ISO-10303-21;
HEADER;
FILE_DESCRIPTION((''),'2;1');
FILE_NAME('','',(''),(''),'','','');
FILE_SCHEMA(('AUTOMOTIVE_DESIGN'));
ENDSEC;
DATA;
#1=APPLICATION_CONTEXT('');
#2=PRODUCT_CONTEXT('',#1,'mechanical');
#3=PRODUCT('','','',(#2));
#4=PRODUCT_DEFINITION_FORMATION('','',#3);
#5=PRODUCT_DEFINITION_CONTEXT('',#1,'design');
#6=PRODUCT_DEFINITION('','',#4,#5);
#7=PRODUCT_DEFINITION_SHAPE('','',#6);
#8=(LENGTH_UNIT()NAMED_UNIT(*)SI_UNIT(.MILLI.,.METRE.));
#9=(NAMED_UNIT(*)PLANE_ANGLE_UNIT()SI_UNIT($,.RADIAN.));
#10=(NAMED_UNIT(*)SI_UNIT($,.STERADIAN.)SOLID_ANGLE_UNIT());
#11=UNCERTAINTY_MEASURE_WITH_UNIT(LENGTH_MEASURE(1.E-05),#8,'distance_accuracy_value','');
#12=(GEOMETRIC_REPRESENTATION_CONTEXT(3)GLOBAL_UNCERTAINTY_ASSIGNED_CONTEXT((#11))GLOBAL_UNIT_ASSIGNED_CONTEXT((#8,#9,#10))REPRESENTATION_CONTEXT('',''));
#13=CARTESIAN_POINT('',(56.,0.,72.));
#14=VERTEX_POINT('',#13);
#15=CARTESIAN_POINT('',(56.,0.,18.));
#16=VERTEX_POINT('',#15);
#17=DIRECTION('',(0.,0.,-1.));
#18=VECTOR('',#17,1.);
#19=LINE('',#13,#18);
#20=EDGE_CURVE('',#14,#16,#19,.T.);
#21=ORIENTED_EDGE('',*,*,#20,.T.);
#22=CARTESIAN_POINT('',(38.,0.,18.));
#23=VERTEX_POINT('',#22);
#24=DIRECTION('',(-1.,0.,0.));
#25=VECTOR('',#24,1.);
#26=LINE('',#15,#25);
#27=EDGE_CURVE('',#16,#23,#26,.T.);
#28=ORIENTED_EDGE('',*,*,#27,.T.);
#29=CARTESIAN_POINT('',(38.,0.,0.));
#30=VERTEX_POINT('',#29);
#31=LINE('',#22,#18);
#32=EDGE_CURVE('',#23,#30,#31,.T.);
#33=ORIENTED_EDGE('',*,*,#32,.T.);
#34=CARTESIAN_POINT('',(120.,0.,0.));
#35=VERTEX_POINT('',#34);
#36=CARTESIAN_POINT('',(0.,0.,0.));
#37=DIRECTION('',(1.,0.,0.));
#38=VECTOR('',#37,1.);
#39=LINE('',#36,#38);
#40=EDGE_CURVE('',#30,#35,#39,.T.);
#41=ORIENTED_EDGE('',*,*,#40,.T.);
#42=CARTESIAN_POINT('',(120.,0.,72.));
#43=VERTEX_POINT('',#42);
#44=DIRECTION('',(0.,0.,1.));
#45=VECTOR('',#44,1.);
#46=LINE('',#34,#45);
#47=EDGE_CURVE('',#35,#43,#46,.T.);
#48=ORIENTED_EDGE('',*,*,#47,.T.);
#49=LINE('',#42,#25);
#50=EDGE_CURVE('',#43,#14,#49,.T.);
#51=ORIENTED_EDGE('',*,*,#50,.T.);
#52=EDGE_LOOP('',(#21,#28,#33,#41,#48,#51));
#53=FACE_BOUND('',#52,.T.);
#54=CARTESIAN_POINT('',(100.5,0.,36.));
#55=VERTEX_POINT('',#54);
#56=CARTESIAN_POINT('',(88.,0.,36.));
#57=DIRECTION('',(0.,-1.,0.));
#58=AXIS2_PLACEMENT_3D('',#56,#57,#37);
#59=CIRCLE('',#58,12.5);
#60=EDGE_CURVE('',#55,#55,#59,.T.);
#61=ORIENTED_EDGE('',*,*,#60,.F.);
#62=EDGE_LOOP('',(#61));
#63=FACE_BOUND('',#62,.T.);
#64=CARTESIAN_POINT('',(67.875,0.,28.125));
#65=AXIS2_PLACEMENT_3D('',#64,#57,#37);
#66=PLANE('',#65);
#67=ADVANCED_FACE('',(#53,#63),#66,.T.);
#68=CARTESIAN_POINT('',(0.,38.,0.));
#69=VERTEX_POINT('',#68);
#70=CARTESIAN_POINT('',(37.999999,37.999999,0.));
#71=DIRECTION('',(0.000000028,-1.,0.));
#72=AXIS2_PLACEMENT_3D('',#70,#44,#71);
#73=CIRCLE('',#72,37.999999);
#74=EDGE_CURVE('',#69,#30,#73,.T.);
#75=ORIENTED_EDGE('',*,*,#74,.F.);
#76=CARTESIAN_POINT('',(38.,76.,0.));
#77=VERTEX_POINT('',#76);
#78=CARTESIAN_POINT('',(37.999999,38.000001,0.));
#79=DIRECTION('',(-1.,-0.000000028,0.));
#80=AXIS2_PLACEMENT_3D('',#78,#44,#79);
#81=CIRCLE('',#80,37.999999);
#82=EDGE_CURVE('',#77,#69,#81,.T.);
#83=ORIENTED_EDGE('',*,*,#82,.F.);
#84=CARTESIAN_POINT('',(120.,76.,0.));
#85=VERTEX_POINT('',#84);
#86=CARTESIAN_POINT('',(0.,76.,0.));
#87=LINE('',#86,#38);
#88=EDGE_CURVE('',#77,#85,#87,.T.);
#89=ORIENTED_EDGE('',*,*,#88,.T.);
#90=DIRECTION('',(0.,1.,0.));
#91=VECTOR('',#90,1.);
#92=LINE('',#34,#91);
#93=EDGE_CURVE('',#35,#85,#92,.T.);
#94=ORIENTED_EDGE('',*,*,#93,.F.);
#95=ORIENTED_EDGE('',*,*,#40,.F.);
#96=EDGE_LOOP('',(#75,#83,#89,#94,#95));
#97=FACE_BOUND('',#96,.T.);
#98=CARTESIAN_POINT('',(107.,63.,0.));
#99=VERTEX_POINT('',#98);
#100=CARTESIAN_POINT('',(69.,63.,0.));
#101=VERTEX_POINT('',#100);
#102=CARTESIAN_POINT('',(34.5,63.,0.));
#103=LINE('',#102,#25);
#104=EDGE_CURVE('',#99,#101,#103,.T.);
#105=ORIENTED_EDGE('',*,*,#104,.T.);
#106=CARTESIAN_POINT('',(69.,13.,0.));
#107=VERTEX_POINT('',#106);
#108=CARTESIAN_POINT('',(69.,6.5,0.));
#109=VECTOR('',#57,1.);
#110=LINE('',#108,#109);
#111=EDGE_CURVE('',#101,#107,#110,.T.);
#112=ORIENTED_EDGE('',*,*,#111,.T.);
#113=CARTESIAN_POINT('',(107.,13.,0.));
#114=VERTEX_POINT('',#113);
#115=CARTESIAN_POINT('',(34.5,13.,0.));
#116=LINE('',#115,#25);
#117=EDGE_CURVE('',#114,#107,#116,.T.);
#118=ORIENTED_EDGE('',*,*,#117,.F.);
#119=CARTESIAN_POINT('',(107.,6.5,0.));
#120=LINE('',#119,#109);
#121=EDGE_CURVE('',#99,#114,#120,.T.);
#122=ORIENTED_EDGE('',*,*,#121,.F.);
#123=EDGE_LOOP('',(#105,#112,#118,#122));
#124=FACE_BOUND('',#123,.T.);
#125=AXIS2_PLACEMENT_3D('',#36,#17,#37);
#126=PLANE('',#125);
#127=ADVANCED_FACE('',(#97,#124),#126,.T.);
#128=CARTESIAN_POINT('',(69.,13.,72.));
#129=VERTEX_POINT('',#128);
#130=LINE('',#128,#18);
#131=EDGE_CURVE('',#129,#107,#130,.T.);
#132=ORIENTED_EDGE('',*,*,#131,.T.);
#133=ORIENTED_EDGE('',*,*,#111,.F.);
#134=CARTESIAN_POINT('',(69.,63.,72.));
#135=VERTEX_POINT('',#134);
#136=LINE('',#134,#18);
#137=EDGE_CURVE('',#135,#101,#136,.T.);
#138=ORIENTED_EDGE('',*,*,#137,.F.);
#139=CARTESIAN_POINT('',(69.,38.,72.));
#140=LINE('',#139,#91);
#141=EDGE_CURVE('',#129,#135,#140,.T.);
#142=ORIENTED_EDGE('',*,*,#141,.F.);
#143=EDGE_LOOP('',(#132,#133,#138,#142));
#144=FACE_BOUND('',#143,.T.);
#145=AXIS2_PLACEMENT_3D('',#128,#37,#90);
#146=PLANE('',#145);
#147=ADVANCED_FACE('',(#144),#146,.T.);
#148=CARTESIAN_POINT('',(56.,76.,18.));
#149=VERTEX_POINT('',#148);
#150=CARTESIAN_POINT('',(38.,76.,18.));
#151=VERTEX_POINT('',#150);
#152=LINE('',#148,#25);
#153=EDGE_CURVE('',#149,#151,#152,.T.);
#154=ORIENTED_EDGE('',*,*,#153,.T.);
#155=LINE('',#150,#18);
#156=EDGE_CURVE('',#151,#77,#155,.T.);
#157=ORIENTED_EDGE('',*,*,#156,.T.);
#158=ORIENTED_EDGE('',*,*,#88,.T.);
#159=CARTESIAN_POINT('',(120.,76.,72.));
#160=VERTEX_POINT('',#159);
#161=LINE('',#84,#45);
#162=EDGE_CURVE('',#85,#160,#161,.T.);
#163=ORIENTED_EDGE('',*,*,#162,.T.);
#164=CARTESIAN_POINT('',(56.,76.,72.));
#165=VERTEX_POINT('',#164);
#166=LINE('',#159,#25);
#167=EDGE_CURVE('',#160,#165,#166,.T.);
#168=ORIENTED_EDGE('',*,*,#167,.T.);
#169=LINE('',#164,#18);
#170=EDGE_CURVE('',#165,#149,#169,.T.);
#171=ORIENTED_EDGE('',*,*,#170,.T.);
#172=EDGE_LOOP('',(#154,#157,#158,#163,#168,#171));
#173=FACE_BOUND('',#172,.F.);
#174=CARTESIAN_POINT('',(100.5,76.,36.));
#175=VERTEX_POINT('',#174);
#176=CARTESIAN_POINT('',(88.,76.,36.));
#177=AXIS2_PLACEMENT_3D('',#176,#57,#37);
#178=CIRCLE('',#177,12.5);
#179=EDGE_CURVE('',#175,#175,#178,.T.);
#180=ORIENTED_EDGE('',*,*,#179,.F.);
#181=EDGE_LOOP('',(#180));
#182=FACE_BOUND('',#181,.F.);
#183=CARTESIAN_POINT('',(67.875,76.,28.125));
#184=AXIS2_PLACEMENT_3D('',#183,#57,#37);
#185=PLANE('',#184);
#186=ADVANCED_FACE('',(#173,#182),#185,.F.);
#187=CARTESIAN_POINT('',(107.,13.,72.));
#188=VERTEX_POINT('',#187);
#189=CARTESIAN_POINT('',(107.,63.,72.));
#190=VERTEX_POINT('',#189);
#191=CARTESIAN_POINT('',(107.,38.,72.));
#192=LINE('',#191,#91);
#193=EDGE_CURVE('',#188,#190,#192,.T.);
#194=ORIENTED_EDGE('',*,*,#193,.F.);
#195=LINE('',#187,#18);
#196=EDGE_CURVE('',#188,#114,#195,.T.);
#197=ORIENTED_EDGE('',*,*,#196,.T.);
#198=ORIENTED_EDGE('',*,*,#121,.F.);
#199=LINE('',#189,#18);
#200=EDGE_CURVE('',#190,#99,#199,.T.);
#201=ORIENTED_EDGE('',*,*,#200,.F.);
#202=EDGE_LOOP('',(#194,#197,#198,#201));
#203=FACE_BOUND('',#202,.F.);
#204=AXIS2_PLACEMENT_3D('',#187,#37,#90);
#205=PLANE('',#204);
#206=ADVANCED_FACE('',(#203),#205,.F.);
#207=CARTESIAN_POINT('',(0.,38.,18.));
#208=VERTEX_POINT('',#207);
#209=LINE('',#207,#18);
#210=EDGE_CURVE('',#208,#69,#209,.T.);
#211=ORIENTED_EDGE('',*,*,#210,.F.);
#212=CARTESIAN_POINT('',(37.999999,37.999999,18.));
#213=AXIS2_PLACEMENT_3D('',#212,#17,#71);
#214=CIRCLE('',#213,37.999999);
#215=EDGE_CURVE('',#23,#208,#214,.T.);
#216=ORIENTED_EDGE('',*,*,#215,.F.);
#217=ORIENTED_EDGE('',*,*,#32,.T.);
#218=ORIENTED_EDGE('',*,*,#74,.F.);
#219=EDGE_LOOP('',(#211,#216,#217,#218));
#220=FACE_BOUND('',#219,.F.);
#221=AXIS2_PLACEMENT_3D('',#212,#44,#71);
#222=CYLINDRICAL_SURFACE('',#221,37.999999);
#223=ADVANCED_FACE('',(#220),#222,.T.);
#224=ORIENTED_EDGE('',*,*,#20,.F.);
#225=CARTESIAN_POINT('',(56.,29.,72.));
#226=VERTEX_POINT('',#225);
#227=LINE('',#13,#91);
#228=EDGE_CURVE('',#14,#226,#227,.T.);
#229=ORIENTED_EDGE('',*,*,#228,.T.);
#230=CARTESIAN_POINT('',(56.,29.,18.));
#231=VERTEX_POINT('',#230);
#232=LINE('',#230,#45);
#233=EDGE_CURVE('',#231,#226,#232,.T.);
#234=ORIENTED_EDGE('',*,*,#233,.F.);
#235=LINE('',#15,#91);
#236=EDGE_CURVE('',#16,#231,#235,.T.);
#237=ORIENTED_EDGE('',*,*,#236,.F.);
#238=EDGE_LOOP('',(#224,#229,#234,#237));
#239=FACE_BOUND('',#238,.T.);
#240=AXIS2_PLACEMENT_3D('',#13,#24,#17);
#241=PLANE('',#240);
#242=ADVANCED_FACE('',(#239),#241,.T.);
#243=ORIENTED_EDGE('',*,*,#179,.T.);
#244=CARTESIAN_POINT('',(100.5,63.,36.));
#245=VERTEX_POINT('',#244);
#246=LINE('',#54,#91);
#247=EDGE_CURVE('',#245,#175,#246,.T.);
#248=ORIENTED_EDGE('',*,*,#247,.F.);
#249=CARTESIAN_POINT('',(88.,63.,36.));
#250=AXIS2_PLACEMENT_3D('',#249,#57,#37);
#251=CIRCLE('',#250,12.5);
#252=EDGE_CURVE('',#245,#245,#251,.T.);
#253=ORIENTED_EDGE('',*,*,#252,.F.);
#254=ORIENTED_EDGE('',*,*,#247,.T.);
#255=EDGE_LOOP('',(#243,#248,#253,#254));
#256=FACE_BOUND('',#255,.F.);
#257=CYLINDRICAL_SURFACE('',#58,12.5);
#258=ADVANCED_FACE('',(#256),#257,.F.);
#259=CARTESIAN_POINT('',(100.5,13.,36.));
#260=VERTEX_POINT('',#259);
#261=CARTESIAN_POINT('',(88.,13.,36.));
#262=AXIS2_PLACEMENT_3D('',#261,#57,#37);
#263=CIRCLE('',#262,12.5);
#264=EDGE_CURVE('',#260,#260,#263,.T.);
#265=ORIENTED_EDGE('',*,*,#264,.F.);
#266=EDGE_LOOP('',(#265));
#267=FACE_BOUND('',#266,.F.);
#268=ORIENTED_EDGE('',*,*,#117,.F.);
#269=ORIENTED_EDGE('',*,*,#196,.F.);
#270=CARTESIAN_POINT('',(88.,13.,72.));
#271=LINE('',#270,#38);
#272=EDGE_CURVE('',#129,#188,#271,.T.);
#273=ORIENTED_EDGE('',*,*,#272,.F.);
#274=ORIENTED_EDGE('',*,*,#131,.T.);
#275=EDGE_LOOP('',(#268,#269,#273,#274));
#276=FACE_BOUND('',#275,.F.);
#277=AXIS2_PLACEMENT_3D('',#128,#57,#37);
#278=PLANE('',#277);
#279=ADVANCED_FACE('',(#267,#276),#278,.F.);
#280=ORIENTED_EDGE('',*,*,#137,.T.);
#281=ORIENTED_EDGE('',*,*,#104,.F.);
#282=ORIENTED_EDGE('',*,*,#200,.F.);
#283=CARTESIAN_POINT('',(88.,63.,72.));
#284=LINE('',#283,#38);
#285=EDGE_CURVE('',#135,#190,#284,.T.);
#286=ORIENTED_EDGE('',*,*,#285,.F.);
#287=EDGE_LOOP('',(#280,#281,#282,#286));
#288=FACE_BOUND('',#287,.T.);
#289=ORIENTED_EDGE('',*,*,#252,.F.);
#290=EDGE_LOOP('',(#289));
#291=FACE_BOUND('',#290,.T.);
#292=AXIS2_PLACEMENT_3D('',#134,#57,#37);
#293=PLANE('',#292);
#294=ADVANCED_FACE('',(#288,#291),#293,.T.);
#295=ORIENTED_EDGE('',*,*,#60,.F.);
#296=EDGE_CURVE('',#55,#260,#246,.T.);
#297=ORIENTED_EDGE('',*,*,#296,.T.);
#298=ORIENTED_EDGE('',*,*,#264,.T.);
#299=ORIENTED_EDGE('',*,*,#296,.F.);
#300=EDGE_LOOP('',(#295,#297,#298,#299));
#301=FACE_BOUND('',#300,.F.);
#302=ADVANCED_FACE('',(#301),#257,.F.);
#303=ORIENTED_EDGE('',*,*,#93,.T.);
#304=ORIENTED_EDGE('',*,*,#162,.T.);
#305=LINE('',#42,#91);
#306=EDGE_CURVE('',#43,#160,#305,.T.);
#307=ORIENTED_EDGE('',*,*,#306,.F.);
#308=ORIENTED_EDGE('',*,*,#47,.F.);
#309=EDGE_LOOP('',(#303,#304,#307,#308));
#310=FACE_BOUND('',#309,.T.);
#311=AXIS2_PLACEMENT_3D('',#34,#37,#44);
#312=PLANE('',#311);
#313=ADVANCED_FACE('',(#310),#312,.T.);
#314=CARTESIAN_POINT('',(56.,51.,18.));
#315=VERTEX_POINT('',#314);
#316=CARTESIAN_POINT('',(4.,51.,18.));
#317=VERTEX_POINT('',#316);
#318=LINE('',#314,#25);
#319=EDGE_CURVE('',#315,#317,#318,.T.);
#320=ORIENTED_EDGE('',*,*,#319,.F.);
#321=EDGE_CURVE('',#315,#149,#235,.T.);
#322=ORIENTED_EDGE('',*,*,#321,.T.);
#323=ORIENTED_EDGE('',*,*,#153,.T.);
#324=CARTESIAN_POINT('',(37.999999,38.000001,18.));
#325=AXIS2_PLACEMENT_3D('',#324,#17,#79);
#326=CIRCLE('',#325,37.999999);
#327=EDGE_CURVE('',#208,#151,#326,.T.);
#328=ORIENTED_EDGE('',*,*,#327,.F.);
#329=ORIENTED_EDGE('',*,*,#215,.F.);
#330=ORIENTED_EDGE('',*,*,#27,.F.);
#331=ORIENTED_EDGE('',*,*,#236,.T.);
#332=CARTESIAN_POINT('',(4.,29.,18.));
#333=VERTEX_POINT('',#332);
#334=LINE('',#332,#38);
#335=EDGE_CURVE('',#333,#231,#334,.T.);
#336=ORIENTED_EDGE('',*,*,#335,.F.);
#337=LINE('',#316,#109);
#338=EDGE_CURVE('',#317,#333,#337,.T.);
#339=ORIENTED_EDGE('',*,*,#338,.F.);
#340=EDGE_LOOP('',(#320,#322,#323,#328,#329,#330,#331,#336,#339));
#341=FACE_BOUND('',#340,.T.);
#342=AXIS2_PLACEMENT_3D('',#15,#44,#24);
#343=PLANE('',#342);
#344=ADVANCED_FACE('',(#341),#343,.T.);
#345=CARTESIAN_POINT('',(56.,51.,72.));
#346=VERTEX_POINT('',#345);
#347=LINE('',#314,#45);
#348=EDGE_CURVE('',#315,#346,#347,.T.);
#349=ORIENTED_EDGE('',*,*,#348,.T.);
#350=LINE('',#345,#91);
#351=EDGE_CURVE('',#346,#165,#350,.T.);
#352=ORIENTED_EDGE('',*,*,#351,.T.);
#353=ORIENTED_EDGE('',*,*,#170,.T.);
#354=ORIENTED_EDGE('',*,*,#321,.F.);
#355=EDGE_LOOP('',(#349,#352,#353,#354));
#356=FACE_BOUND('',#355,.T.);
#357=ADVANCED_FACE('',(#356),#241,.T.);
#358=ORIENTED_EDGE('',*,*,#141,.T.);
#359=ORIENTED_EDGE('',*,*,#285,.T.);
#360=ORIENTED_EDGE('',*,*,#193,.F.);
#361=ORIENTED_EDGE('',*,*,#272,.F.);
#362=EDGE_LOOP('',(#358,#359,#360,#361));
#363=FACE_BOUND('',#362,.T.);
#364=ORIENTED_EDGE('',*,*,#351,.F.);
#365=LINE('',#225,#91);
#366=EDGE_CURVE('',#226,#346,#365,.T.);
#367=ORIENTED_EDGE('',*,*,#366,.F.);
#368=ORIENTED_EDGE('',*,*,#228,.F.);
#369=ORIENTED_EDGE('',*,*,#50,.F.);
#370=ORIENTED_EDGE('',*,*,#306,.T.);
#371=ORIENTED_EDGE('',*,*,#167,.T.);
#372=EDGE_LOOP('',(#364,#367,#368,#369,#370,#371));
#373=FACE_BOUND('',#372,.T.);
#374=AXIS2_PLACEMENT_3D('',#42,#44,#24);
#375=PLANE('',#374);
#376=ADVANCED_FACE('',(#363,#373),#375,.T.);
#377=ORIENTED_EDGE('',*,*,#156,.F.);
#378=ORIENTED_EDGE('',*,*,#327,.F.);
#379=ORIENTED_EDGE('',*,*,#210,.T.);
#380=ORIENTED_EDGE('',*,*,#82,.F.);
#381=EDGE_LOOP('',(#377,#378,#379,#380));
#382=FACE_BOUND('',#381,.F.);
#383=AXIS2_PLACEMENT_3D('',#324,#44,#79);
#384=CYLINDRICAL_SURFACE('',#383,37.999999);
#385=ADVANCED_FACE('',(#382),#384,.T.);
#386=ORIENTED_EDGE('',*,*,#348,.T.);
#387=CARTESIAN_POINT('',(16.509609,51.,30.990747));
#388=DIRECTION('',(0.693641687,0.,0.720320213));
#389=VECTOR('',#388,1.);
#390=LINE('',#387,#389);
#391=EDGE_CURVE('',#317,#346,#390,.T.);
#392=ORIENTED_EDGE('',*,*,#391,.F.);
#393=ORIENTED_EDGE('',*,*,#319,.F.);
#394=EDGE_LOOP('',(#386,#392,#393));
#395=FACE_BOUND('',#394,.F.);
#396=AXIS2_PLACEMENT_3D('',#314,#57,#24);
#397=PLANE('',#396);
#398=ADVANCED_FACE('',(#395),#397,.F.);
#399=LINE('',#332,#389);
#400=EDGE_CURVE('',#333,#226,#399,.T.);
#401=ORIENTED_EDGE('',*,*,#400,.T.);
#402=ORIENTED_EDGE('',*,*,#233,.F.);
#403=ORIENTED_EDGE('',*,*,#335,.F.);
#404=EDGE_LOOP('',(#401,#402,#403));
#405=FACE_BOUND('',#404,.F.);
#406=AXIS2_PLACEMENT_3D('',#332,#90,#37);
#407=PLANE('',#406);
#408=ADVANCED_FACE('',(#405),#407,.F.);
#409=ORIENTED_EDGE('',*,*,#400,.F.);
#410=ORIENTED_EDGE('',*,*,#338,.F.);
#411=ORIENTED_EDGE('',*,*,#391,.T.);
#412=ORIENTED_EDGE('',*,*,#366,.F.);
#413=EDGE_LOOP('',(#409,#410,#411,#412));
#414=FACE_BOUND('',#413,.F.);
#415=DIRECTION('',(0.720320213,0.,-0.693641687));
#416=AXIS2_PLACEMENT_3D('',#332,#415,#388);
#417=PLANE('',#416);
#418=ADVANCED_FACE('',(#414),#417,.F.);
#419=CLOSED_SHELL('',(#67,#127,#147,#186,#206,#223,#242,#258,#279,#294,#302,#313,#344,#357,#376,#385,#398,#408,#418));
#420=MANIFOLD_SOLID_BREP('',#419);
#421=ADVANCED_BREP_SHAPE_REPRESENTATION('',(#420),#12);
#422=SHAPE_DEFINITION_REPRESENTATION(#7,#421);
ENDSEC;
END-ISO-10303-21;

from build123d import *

# Parameters (mm, degrees)
F0_R     = 12.5
F1_DEPTH = 76
F2_W     = 38
F2_H     = 50
F3_DEPTH = 98.3
F5_DEPTH = 25
F7_DEPTH = 54
F9_DEPTH = 44.5


with BuildPart() as f1:
    # F0 (on Front) → F1 (new body)
    with BuildSketch(Plane.XZ):
        Polygon((0, 18), (0, 0), (120, 0), (120, 72), (56, 72), (56, 18), align=None)
        with Locations((88, 36)):
            Circle(F0_R, mode=Mode.SUBTRACT)
    extrude(amount=-F1_DEPTH)

    # F2 (on face) → F3 (cut)
    with BuildSketch(Plane.XY.offset(72)):
        with Locations((88, 38)):
            Rectangle(F2_W, F2_H)
    extrude(amount=-F3_DEPTH, mode=Mode.SUBTRACT)

    # F4 (on face) → F5 (cut)
    with BuildSketch(Plane.XY.offset(18)):
        with BuildLine():
            ThreePointArc((0, 38), (11.129942, 64.870058), (38, 76))
            Line((38, 76), (0, 76))
            Line((0, 76), (0, 38))
        make_face()
        with BuildLine():
            ThreePointArc((38, 0), (11.129942, 11.129942), (0, 38))
            Line((0, 38), (0, 0))
            Line((0, 0), (38, 0))
        make_face()
    extrude(amount=-F5_DEPTH, mode=Mode.SUBTRACT)

    # F6 (on face) → F7 (join)
    with BuildSketch(Plane.XY.offset(18)):
        Polygon((56, 40), (56, 51), (4, 51), (4, 29), (56, 29), align=None)
    extrude(amount=F7_DEPTH)

    # F8 (on face) → F9 (cut)
    with BuildSketch(Plane.XZ.offset(-29)):
        Polygon((4, 18), (56, 72), (4, 72), align=None)
    extrude(amount=-F9_DEPTH, mode=Mode.SUBTRACT)


solid = f1.part
